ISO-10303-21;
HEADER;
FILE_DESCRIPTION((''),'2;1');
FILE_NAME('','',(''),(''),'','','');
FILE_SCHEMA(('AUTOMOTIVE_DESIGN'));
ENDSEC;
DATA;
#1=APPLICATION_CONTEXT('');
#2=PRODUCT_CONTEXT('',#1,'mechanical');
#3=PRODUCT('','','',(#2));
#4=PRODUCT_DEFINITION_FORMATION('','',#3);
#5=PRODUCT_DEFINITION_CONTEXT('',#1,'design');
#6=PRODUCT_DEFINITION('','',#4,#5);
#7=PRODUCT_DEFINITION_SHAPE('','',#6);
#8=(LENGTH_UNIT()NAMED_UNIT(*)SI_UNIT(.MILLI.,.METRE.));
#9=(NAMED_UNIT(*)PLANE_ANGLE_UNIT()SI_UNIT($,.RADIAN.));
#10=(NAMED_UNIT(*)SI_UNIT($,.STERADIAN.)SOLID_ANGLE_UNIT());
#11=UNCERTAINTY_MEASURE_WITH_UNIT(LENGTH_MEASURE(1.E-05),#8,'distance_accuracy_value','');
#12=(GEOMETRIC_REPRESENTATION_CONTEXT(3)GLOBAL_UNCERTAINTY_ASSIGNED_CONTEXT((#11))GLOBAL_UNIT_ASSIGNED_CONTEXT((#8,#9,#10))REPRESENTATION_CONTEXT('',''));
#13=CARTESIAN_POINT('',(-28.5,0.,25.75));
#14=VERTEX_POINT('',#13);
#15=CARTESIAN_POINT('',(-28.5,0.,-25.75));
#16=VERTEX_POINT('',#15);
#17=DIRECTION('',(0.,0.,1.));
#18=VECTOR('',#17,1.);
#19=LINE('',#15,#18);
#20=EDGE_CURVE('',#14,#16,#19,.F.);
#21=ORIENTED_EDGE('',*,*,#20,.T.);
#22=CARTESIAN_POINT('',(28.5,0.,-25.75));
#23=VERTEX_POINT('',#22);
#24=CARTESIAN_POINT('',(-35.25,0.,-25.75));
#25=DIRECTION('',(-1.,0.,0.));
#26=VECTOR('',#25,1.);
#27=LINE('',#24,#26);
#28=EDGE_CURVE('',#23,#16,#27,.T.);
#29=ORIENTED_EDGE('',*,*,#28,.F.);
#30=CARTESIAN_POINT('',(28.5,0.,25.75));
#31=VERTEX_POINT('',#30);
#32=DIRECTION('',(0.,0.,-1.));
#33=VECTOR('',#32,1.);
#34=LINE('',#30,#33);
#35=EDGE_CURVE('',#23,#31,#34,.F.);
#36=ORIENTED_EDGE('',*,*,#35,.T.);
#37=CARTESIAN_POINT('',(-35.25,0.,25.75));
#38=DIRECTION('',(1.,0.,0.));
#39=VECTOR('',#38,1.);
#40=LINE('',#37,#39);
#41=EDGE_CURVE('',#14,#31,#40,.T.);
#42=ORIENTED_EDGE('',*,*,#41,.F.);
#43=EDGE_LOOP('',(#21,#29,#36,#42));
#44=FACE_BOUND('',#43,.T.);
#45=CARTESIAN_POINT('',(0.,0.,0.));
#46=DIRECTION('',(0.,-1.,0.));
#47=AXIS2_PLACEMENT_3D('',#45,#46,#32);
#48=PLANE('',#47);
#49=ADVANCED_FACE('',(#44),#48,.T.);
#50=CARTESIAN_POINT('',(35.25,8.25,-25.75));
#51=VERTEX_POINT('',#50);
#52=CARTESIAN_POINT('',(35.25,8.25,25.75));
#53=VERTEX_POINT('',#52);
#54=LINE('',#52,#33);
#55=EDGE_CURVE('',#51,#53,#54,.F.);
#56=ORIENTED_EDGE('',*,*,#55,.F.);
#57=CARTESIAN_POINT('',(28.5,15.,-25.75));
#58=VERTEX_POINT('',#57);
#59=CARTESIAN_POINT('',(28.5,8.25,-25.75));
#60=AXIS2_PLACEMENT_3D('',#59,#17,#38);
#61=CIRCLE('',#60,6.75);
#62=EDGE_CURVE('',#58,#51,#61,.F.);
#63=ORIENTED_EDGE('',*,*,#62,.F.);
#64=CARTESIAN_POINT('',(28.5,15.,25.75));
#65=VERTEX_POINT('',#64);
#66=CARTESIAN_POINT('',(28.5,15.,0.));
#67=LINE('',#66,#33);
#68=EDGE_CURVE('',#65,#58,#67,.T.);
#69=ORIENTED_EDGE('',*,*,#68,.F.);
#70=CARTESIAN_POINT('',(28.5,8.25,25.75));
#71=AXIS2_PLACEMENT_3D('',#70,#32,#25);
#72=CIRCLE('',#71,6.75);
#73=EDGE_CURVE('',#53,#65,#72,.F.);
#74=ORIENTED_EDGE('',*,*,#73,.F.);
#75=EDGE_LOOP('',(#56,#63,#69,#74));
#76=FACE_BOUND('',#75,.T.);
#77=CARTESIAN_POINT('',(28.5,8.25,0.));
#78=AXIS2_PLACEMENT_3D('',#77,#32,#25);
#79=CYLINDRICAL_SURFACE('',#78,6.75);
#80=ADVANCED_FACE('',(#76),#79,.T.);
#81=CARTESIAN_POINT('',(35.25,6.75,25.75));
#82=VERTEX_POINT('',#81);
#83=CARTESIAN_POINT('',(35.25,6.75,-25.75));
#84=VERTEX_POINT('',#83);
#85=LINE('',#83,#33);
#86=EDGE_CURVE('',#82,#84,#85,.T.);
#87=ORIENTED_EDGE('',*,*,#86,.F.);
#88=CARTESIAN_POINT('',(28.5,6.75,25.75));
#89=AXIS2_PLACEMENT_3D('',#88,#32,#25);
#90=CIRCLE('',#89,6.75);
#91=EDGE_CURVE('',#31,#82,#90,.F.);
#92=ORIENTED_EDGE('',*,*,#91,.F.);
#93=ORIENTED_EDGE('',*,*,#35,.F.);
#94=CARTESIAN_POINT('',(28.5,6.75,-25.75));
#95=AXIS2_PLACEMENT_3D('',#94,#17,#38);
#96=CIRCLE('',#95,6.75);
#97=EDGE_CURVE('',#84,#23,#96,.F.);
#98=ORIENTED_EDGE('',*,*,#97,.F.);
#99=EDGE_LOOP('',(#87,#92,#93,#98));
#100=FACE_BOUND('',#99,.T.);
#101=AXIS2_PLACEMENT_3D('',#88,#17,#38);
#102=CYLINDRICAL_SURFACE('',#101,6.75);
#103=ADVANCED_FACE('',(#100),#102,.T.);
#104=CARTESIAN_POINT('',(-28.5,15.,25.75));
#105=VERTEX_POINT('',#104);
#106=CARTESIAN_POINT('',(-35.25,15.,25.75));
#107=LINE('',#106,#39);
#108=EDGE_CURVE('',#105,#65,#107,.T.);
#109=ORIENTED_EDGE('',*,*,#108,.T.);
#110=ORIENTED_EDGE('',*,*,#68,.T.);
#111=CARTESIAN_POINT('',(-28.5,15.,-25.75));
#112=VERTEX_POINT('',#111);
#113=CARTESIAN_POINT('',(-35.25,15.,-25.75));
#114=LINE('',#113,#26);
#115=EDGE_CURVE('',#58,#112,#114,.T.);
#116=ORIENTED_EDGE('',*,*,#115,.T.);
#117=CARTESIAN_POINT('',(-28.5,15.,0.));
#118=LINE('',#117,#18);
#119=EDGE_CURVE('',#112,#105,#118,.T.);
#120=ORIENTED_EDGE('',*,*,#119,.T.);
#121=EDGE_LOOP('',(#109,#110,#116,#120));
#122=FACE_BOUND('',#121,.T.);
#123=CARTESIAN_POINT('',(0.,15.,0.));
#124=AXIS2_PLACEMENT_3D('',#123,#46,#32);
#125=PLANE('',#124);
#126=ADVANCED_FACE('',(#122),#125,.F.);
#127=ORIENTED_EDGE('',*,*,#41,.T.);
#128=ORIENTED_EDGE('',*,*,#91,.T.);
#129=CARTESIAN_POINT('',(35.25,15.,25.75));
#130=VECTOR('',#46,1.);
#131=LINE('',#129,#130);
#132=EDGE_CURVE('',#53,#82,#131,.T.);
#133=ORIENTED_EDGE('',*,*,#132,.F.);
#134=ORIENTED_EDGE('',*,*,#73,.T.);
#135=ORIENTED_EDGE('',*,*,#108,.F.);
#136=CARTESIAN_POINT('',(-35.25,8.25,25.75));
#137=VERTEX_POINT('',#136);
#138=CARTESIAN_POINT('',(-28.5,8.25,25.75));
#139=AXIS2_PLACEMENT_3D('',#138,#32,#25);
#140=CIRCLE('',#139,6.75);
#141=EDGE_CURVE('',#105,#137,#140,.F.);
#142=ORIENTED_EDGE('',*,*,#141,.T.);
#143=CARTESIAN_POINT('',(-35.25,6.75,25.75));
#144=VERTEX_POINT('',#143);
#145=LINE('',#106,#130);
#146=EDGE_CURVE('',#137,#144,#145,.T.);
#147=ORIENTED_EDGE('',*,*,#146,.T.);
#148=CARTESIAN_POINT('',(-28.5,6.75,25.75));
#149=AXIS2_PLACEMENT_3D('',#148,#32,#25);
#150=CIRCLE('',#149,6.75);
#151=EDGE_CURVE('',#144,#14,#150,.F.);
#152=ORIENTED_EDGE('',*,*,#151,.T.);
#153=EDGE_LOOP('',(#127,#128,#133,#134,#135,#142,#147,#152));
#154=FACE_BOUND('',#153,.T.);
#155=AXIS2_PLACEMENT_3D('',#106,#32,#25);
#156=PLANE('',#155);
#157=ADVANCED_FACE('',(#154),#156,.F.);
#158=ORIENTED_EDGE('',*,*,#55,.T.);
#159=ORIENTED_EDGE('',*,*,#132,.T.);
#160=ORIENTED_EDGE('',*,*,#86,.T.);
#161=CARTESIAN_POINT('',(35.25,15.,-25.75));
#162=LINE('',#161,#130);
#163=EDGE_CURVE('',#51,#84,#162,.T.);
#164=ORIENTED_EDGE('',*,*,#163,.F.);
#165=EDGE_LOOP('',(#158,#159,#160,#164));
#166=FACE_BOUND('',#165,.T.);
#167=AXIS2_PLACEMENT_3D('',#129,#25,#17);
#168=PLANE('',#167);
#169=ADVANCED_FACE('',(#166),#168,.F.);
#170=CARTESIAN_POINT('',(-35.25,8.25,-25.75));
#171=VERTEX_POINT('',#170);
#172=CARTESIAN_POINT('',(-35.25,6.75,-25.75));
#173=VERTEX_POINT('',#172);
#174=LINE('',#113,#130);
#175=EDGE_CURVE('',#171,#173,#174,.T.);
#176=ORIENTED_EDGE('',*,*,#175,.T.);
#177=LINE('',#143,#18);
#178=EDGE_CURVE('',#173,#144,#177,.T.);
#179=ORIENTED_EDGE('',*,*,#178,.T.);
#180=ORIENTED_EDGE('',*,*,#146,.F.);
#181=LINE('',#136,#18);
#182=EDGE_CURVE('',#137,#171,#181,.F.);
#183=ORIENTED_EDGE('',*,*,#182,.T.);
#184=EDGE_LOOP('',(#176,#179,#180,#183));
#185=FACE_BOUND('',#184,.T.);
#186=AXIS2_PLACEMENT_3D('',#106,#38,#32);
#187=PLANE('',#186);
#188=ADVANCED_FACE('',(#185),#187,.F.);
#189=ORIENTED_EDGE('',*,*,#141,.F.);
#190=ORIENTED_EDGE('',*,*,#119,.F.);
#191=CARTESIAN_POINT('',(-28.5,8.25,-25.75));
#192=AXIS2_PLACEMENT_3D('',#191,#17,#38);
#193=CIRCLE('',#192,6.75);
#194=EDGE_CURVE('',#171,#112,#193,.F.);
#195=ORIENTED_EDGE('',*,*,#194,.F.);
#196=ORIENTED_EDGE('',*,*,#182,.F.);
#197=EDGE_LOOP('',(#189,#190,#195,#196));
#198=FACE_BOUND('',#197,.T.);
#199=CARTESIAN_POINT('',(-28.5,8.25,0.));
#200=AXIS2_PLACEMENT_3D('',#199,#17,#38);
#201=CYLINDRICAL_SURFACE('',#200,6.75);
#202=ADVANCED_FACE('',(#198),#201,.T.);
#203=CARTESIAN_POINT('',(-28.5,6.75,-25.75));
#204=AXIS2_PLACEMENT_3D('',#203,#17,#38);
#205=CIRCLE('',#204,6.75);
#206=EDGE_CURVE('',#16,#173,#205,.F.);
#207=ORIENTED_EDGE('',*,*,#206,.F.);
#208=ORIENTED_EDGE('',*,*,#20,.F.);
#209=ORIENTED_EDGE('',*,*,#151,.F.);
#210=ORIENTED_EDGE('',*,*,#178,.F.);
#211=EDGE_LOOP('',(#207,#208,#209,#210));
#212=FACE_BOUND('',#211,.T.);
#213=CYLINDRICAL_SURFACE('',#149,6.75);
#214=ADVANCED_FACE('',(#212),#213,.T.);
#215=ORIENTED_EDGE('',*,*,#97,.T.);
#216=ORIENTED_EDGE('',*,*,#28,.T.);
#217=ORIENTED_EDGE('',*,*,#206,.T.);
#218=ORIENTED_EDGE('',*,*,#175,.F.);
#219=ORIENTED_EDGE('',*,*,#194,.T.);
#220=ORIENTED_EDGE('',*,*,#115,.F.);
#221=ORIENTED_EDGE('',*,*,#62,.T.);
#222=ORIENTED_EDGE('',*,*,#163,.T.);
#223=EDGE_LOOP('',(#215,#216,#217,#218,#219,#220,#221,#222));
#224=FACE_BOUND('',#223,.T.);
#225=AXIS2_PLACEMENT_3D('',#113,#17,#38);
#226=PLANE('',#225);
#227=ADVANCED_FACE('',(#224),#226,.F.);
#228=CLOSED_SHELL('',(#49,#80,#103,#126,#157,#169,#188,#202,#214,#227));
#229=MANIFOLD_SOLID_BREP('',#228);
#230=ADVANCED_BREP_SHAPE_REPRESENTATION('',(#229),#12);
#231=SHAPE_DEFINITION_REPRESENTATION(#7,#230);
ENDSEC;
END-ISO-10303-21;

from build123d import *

# Parameters (mm, degrees)
SKETCH1_W           = 70.5
SKETCH1_H           = 51.5
BOSS_EXTRUDE1_DEPTH = 15
FILLET1_R           = 6.75


with BuildPart() as part:
    # Sketch1 → Boss-Extrude1 (new body)
    with BuildSketch(Plane(origin=(0, 0, 0), x_dir=(1, 0, 0), z_dir=(0, 1, 0))):
        Rectangle(SKETCH1_W, SKETCH1_H)
    extrude(amount=BOSS_EXTRUDE1_DEPTH)

    # Fillet1
    fillet1_edges = [part.edges().sort_by_distance(p)[0] for p in [
        (-35.25, 15, 0),
        (35.25, 15, 0),
        (-35.25, 0, 0),
        (35.25, 0, 0),
    ]]
    fillet(fillet1_edges, radius=FILLET1_R)


solid = part.part
